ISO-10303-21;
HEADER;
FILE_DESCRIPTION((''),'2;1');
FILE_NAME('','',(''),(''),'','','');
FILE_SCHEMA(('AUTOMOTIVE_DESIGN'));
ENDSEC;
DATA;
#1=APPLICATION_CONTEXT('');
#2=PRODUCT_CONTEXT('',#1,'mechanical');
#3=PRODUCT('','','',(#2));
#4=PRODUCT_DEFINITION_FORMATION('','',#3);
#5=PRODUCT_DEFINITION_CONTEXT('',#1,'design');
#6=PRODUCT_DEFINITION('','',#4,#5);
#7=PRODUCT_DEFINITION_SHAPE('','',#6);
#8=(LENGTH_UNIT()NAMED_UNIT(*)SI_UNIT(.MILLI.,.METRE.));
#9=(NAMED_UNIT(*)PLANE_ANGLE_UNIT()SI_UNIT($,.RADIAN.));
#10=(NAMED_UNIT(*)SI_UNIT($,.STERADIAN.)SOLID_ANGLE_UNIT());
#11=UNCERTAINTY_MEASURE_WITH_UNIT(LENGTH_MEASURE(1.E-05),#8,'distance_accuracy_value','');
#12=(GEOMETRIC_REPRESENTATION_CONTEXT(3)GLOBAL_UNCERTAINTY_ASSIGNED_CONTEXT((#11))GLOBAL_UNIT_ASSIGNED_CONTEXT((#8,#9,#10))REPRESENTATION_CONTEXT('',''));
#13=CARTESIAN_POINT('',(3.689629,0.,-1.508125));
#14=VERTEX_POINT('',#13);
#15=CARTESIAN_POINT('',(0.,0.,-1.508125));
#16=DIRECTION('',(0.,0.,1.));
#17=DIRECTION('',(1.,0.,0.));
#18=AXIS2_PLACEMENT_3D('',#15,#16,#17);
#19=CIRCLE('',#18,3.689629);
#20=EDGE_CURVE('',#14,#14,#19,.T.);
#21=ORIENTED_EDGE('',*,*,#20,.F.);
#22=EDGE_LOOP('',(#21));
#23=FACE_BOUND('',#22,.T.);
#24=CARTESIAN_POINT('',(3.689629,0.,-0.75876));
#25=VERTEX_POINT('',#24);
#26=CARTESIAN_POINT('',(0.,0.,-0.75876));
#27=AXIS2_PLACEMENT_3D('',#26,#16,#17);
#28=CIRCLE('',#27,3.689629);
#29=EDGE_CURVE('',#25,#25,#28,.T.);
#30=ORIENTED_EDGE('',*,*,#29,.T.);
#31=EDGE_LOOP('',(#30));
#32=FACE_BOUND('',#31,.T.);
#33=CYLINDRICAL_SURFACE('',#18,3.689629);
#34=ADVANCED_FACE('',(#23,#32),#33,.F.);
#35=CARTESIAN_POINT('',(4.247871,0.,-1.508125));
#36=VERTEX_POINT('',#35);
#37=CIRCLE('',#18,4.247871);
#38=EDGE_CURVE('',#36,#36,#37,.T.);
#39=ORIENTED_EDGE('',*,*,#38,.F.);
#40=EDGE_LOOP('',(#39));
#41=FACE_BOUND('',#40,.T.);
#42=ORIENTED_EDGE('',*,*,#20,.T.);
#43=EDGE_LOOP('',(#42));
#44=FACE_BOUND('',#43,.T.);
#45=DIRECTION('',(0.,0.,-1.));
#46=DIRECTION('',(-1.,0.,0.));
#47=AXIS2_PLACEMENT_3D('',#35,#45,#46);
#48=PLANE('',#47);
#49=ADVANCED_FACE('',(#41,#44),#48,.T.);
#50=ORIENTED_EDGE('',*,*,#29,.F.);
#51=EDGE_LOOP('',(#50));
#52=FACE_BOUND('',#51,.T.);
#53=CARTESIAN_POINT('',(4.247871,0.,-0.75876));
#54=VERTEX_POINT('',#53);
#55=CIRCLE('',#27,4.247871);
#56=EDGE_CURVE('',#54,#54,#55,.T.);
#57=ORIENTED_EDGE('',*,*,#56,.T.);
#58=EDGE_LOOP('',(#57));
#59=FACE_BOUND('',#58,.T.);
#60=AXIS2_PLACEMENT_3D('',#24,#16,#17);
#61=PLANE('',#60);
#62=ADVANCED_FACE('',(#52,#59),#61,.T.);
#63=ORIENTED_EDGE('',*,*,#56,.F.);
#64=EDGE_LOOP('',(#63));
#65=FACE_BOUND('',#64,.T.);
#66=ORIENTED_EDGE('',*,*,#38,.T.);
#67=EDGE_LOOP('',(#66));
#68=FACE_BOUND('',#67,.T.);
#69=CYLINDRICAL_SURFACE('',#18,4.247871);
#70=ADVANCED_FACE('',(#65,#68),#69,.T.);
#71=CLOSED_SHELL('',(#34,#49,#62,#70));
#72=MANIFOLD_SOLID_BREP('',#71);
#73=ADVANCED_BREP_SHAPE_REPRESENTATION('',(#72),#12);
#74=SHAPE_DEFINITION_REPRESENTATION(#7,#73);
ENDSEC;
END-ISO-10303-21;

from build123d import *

# Parameters (mm, degrees)
SKETCH1_W = 0.558241758
SKETCH1_H = 0.749364756


with BuildPart() as part:
    # Sketch1 → Revolve1 (revolve)
    with BuildSketch(Plane(origin=(0, 0, 0), x_dir=(1, 0, 0), z_dir=(0, 1, 0))):
        with Locations((3.96875, 1.133442622)):
            Rectangle(SKETCH1_W, SKETCH1_H)
    revolve(axis=Axis((0, 0, -1.508125), (0, 0, 1)))


solid = part.part
